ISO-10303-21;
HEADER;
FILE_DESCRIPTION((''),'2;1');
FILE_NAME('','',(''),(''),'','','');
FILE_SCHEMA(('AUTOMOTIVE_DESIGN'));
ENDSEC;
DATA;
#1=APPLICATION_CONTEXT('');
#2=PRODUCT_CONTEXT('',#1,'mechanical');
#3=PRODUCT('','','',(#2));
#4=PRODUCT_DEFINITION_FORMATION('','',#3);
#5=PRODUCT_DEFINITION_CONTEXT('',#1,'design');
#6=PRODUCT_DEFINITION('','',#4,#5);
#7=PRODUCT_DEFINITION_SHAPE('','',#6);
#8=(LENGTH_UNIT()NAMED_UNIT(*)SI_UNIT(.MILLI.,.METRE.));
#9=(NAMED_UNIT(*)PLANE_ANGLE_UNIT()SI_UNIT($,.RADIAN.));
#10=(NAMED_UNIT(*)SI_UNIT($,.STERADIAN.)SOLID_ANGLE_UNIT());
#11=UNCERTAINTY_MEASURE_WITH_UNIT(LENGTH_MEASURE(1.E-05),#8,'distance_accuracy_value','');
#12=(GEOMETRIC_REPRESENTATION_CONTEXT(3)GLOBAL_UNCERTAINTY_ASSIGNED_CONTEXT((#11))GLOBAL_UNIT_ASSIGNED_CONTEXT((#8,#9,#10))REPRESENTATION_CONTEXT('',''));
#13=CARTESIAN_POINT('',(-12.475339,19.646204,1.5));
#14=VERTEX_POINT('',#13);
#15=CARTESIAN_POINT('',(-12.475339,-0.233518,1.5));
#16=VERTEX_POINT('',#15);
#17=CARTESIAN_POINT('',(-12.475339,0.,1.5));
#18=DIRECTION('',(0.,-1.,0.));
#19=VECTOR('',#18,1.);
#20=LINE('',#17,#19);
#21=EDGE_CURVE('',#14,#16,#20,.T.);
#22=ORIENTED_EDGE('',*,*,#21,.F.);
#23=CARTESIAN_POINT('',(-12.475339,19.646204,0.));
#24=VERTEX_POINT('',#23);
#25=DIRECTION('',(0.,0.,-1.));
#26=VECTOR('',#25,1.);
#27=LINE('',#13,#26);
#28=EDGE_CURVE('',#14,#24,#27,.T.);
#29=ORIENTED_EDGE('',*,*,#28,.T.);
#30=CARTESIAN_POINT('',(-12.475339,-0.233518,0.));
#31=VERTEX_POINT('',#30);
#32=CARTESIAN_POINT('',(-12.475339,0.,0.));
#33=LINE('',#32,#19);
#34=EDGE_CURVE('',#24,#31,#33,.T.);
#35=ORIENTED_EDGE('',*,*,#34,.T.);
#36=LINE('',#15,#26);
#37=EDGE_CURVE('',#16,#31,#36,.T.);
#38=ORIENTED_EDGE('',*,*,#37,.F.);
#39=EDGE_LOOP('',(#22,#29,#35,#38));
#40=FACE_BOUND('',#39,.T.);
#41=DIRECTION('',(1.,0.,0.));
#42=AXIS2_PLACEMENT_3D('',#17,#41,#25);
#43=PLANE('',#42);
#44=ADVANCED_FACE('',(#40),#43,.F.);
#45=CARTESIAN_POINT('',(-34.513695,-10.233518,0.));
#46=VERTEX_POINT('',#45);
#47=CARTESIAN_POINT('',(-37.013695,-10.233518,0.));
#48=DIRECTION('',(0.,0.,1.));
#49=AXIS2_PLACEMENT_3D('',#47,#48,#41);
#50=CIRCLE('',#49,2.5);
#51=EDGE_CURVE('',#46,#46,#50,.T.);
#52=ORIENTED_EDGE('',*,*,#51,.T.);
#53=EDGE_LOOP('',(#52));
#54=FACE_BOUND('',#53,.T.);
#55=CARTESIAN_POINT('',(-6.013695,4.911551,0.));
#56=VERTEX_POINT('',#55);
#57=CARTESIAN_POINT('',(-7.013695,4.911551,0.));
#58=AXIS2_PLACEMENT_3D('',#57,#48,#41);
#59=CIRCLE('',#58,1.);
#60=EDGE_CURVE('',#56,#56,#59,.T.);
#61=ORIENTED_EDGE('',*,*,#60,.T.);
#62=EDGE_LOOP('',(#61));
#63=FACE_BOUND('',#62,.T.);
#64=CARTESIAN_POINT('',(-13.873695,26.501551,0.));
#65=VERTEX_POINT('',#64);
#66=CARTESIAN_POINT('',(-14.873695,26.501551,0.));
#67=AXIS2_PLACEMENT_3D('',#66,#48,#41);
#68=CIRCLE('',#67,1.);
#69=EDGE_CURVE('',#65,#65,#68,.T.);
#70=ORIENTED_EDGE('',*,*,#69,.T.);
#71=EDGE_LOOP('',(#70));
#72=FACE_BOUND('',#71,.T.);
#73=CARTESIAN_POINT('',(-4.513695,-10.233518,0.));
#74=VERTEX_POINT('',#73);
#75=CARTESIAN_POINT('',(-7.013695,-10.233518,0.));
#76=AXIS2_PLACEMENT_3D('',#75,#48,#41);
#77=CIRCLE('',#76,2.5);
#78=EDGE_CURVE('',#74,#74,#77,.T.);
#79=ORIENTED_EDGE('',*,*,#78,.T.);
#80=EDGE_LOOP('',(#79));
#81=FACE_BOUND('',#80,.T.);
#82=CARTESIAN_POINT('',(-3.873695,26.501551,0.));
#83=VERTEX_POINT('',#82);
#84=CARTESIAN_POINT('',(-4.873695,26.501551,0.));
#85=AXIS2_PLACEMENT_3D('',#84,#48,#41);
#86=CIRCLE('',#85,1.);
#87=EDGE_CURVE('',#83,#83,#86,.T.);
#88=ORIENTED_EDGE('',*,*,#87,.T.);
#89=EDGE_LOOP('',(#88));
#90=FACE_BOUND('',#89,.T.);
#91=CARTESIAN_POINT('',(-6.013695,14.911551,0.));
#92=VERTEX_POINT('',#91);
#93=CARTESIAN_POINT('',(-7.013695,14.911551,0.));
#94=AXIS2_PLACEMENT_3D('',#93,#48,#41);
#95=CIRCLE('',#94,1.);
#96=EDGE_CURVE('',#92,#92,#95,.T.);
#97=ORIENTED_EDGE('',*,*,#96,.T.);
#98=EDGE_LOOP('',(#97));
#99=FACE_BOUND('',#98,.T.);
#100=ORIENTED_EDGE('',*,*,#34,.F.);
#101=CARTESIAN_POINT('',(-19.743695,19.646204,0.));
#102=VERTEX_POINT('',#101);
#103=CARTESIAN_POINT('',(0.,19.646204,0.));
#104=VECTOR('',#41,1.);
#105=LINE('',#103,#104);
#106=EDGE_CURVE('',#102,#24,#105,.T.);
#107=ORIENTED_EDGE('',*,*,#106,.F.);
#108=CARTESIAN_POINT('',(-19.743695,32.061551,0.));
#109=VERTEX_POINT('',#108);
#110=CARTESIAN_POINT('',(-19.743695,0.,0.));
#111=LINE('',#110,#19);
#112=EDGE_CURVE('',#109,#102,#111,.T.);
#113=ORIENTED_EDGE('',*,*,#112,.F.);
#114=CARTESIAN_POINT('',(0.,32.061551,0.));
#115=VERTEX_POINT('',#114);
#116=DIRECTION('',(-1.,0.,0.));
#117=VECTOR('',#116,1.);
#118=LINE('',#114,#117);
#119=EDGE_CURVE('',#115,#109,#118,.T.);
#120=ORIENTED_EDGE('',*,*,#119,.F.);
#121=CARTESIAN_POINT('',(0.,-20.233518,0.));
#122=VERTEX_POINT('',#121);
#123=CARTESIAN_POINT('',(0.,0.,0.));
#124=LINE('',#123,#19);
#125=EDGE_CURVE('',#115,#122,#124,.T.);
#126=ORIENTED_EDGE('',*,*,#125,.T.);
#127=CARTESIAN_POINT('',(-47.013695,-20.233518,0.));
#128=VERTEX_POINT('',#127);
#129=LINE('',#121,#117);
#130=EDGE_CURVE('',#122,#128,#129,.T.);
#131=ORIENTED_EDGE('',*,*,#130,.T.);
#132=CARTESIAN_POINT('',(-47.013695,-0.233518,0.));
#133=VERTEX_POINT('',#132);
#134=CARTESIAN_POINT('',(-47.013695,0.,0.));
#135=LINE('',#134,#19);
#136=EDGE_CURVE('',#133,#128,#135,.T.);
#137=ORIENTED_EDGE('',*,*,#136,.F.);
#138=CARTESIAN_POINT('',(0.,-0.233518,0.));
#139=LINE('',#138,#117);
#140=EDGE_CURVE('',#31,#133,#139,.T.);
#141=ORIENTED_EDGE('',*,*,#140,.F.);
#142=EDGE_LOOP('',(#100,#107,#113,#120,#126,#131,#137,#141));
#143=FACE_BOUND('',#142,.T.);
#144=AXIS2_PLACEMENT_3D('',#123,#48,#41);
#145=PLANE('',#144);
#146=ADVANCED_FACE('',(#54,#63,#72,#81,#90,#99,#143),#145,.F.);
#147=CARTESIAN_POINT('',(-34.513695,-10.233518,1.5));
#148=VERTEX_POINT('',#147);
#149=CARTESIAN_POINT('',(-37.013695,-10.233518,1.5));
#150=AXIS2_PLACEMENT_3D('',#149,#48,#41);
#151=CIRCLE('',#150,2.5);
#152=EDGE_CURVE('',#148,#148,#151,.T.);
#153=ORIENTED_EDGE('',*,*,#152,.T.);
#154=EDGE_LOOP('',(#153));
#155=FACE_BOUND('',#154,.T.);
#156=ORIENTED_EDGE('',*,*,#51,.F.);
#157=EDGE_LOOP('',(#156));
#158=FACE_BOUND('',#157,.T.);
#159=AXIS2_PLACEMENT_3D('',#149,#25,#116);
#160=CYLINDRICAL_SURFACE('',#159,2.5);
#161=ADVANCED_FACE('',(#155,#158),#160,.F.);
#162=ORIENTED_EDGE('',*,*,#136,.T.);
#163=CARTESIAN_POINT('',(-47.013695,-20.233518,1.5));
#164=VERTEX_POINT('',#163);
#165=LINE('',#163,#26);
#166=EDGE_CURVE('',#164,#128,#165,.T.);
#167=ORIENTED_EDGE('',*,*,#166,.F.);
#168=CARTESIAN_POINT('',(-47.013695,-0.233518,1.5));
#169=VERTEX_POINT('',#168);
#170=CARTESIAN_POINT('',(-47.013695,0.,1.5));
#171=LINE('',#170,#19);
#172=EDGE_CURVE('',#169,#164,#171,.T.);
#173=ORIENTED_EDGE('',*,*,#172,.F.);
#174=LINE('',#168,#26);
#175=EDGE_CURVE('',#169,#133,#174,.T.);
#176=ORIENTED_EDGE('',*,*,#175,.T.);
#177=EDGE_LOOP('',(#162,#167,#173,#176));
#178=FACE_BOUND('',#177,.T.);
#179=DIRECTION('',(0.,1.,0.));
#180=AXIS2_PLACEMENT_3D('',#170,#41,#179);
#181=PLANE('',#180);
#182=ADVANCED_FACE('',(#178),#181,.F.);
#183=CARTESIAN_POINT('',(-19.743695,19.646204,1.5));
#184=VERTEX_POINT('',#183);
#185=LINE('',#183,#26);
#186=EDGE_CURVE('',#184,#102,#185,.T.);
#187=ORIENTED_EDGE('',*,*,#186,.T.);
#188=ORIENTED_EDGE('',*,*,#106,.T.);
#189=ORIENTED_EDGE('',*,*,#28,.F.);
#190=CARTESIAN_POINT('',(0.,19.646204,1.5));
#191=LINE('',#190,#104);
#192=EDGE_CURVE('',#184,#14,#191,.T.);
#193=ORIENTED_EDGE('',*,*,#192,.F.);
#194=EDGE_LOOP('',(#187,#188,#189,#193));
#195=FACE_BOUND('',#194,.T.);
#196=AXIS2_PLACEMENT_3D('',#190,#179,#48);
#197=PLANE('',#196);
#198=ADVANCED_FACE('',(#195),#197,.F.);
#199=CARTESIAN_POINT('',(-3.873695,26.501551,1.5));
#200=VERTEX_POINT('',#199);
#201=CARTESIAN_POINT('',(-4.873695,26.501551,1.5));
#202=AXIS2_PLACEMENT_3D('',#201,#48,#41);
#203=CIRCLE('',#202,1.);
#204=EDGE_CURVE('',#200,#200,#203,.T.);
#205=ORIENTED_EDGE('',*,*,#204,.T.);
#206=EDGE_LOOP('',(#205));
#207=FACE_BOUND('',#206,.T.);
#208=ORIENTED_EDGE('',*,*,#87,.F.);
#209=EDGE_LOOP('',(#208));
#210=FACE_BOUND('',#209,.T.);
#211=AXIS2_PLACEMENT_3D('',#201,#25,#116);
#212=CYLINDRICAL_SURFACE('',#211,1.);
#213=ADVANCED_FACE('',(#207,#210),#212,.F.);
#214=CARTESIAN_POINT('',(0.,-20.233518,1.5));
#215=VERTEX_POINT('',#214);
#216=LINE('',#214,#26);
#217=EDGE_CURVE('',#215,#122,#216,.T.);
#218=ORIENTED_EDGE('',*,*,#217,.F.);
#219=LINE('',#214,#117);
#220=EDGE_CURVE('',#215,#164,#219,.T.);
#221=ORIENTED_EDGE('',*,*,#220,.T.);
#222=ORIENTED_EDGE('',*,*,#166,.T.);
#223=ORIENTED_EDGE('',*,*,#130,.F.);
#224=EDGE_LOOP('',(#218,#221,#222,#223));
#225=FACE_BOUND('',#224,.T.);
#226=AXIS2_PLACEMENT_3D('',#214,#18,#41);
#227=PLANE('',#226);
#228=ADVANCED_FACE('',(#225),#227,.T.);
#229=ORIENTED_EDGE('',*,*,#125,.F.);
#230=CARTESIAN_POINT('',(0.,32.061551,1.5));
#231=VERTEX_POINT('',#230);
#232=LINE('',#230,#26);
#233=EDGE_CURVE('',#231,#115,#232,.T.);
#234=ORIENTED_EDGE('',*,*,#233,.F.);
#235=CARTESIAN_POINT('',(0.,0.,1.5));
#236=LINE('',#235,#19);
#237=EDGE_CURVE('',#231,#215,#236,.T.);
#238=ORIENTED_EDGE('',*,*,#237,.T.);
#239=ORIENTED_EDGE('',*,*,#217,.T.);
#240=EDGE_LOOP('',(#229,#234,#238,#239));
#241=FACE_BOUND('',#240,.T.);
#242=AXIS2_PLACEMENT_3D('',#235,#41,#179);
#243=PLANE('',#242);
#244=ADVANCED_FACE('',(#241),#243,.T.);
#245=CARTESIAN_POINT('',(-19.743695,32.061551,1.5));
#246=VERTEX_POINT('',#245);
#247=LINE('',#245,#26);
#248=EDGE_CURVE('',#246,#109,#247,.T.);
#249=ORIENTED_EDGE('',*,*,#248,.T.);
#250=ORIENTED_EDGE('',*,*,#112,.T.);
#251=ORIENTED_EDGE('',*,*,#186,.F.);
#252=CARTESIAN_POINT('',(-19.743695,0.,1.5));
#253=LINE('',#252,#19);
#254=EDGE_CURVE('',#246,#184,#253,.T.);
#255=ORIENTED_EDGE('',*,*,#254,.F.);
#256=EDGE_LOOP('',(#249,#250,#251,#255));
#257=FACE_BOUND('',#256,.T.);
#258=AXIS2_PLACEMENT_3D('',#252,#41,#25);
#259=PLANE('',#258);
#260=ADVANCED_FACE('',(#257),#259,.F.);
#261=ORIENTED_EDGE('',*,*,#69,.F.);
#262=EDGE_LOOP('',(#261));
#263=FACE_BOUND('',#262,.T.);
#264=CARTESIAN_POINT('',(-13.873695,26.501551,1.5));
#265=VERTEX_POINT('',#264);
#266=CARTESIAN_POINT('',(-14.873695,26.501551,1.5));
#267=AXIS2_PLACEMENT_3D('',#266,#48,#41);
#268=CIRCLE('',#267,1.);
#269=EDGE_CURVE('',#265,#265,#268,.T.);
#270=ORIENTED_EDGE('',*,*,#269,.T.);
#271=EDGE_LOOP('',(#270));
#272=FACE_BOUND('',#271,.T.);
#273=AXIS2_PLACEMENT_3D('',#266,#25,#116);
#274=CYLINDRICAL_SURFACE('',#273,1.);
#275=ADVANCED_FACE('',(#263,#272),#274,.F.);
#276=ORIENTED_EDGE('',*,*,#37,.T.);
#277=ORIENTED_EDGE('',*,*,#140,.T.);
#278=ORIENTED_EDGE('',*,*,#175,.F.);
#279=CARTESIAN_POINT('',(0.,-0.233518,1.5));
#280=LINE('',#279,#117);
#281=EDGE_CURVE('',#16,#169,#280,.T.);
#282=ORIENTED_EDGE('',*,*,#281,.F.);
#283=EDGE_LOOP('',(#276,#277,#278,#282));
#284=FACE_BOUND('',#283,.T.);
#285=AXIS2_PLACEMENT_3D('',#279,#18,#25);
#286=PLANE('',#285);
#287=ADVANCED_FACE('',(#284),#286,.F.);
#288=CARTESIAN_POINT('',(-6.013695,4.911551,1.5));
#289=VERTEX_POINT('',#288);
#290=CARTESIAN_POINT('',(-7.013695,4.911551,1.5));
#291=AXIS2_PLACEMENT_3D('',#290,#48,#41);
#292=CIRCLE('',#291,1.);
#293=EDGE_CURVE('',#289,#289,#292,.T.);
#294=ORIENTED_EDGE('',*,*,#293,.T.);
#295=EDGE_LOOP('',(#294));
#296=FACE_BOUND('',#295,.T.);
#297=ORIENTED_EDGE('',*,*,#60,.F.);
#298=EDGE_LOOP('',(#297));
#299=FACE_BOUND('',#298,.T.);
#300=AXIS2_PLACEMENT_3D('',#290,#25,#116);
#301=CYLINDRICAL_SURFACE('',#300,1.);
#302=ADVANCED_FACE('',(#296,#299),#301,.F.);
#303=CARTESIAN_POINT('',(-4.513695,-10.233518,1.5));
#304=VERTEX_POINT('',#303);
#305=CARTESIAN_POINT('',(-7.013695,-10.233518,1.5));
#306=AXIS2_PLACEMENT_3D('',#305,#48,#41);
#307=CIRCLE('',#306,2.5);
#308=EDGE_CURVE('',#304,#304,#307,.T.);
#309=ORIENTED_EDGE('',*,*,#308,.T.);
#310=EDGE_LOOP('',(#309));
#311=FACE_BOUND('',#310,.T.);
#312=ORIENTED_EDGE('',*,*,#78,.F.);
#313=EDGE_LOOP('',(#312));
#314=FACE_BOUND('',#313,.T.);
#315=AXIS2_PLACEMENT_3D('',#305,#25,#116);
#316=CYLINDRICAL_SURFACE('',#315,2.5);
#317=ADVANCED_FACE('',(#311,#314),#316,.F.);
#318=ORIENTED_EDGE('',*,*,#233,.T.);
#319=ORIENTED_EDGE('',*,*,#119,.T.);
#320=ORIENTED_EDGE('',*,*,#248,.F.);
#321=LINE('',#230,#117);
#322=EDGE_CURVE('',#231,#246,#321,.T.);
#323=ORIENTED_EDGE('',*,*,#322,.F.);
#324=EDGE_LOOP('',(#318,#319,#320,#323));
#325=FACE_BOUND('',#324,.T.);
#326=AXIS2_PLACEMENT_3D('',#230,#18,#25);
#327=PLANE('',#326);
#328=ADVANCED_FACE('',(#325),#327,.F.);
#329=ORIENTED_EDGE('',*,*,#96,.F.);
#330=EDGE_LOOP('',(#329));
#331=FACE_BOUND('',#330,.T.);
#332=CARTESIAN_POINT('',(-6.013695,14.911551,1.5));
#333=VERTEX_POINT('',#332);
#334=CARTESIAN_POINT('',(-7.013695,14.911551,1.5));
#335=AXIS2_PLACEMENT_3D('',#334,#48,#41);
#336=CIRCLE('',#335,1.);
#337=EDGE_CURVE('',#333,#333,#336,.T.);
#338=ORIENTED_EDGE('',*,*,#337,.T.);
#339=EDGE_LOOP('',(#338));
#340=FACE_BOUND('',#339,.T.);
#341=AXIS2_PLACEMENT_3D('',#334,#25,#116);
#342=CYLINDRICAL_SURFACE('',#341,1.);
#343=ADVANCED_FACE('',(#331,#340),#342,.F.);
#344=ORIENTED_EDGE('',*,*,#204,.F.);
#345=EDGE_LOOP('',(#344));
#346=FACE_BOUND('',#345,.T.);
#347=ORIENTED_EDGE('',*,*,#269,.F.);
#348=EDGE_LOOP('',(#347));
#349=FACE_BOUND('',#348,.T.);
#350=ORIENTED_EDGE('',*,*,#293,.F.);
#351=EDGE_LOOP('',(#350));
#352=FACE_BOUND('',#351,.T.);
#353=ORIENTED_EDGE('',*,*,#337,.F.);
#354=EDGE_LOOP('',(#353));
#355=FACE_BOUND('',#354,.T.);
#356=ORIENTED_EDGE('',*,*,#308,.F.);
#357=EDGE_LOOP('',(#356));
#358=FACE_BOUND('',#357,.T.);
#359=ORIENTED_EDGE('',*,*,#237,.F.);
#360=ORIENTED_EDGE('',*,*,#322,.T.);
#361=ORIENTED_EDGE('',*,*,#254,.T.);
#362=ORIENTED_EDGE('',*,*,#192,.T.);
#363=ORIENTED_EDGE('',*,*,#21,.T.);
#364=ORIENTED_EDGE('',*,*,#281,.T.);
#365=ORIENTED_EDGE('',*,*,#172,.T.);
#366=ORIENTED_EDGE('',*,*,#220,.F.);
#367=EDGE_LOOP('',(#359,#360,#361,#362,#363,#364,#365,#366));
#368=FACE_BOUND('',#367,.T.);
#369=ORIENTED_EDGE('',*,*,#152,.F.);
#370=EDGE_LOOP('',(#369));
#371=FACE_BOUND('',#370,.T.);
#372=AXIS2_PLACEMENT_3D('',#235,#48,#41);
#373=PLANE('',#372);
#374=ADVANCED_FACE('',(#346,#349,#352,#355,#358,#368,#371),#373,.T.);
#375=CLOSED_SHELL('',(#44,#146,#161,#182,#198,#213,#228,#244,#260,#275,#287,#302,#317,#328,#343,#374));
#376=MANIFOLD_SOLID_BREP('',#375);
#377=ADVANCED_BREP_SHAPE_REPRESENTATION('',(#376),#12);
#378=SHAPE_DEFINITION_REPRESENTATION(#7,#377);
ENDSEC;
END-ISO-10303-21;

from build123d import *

# Parameters (mm, degrees)
SKETCH1_R           = 2.5
SKETCH1_R_2         = 1
BOSS_EXTRUDE1_DEPTH = 1.5


with BuildPart() as part:
    # Sketch1 → Boss-Extrude1 (new body)
    with BuildSketch(Plane.XY):
        Polygon((-19.743694785, 19.646203879), (-12.475339463, 19.646203879), (-12.475339463, -0.233517887), (-47.013694785, -0.233517887), (-47.013694785, -20.233517887), (0, -20.233517887), (0, 0), (0, 32.06155097), (-19.743694785, 32.06155097), align=None)
        with Locations((-37.013694785, -10.233517887)):
            Circle(SKETCH1_R, mode=Mode.SUBTRACT)
        with BuildLine():
            ThreePointArc((-4.513694785, -10.233517887), (-7.013694785, -12.733517887), (-9.513694785, -10.233517887))
            ThreePointArc((-9.513694785, -10.233517887), (-7.013694785, -7.733517887), (-4.513694785, -10.233517887))
        make_face(mode=Mode.SUBTRACT)
        with Locations((-7.013694785, 4.91155097)):
            Circle(SKETCH1_R_2, mode=Mode.SUBTRACT)
        with Locations((-7.013694785, 14.91155097)):
            Circle(SKETCH1_R_2, mode=Mode.SUBTRACT)
        with Locations((-14.873694785, 26.50155097)):
            Circle(SKETCH1_R_2, mode=Mode.SUBTRACT)
        with Locations((-4.873694785, 26.50155097)):
            Circle(SKETCH1_R_2, mode=Mode.SUBTRACT)
    extrude(amount=BOSS_EXTRUDE1_DEPTH)


solid = part.part
